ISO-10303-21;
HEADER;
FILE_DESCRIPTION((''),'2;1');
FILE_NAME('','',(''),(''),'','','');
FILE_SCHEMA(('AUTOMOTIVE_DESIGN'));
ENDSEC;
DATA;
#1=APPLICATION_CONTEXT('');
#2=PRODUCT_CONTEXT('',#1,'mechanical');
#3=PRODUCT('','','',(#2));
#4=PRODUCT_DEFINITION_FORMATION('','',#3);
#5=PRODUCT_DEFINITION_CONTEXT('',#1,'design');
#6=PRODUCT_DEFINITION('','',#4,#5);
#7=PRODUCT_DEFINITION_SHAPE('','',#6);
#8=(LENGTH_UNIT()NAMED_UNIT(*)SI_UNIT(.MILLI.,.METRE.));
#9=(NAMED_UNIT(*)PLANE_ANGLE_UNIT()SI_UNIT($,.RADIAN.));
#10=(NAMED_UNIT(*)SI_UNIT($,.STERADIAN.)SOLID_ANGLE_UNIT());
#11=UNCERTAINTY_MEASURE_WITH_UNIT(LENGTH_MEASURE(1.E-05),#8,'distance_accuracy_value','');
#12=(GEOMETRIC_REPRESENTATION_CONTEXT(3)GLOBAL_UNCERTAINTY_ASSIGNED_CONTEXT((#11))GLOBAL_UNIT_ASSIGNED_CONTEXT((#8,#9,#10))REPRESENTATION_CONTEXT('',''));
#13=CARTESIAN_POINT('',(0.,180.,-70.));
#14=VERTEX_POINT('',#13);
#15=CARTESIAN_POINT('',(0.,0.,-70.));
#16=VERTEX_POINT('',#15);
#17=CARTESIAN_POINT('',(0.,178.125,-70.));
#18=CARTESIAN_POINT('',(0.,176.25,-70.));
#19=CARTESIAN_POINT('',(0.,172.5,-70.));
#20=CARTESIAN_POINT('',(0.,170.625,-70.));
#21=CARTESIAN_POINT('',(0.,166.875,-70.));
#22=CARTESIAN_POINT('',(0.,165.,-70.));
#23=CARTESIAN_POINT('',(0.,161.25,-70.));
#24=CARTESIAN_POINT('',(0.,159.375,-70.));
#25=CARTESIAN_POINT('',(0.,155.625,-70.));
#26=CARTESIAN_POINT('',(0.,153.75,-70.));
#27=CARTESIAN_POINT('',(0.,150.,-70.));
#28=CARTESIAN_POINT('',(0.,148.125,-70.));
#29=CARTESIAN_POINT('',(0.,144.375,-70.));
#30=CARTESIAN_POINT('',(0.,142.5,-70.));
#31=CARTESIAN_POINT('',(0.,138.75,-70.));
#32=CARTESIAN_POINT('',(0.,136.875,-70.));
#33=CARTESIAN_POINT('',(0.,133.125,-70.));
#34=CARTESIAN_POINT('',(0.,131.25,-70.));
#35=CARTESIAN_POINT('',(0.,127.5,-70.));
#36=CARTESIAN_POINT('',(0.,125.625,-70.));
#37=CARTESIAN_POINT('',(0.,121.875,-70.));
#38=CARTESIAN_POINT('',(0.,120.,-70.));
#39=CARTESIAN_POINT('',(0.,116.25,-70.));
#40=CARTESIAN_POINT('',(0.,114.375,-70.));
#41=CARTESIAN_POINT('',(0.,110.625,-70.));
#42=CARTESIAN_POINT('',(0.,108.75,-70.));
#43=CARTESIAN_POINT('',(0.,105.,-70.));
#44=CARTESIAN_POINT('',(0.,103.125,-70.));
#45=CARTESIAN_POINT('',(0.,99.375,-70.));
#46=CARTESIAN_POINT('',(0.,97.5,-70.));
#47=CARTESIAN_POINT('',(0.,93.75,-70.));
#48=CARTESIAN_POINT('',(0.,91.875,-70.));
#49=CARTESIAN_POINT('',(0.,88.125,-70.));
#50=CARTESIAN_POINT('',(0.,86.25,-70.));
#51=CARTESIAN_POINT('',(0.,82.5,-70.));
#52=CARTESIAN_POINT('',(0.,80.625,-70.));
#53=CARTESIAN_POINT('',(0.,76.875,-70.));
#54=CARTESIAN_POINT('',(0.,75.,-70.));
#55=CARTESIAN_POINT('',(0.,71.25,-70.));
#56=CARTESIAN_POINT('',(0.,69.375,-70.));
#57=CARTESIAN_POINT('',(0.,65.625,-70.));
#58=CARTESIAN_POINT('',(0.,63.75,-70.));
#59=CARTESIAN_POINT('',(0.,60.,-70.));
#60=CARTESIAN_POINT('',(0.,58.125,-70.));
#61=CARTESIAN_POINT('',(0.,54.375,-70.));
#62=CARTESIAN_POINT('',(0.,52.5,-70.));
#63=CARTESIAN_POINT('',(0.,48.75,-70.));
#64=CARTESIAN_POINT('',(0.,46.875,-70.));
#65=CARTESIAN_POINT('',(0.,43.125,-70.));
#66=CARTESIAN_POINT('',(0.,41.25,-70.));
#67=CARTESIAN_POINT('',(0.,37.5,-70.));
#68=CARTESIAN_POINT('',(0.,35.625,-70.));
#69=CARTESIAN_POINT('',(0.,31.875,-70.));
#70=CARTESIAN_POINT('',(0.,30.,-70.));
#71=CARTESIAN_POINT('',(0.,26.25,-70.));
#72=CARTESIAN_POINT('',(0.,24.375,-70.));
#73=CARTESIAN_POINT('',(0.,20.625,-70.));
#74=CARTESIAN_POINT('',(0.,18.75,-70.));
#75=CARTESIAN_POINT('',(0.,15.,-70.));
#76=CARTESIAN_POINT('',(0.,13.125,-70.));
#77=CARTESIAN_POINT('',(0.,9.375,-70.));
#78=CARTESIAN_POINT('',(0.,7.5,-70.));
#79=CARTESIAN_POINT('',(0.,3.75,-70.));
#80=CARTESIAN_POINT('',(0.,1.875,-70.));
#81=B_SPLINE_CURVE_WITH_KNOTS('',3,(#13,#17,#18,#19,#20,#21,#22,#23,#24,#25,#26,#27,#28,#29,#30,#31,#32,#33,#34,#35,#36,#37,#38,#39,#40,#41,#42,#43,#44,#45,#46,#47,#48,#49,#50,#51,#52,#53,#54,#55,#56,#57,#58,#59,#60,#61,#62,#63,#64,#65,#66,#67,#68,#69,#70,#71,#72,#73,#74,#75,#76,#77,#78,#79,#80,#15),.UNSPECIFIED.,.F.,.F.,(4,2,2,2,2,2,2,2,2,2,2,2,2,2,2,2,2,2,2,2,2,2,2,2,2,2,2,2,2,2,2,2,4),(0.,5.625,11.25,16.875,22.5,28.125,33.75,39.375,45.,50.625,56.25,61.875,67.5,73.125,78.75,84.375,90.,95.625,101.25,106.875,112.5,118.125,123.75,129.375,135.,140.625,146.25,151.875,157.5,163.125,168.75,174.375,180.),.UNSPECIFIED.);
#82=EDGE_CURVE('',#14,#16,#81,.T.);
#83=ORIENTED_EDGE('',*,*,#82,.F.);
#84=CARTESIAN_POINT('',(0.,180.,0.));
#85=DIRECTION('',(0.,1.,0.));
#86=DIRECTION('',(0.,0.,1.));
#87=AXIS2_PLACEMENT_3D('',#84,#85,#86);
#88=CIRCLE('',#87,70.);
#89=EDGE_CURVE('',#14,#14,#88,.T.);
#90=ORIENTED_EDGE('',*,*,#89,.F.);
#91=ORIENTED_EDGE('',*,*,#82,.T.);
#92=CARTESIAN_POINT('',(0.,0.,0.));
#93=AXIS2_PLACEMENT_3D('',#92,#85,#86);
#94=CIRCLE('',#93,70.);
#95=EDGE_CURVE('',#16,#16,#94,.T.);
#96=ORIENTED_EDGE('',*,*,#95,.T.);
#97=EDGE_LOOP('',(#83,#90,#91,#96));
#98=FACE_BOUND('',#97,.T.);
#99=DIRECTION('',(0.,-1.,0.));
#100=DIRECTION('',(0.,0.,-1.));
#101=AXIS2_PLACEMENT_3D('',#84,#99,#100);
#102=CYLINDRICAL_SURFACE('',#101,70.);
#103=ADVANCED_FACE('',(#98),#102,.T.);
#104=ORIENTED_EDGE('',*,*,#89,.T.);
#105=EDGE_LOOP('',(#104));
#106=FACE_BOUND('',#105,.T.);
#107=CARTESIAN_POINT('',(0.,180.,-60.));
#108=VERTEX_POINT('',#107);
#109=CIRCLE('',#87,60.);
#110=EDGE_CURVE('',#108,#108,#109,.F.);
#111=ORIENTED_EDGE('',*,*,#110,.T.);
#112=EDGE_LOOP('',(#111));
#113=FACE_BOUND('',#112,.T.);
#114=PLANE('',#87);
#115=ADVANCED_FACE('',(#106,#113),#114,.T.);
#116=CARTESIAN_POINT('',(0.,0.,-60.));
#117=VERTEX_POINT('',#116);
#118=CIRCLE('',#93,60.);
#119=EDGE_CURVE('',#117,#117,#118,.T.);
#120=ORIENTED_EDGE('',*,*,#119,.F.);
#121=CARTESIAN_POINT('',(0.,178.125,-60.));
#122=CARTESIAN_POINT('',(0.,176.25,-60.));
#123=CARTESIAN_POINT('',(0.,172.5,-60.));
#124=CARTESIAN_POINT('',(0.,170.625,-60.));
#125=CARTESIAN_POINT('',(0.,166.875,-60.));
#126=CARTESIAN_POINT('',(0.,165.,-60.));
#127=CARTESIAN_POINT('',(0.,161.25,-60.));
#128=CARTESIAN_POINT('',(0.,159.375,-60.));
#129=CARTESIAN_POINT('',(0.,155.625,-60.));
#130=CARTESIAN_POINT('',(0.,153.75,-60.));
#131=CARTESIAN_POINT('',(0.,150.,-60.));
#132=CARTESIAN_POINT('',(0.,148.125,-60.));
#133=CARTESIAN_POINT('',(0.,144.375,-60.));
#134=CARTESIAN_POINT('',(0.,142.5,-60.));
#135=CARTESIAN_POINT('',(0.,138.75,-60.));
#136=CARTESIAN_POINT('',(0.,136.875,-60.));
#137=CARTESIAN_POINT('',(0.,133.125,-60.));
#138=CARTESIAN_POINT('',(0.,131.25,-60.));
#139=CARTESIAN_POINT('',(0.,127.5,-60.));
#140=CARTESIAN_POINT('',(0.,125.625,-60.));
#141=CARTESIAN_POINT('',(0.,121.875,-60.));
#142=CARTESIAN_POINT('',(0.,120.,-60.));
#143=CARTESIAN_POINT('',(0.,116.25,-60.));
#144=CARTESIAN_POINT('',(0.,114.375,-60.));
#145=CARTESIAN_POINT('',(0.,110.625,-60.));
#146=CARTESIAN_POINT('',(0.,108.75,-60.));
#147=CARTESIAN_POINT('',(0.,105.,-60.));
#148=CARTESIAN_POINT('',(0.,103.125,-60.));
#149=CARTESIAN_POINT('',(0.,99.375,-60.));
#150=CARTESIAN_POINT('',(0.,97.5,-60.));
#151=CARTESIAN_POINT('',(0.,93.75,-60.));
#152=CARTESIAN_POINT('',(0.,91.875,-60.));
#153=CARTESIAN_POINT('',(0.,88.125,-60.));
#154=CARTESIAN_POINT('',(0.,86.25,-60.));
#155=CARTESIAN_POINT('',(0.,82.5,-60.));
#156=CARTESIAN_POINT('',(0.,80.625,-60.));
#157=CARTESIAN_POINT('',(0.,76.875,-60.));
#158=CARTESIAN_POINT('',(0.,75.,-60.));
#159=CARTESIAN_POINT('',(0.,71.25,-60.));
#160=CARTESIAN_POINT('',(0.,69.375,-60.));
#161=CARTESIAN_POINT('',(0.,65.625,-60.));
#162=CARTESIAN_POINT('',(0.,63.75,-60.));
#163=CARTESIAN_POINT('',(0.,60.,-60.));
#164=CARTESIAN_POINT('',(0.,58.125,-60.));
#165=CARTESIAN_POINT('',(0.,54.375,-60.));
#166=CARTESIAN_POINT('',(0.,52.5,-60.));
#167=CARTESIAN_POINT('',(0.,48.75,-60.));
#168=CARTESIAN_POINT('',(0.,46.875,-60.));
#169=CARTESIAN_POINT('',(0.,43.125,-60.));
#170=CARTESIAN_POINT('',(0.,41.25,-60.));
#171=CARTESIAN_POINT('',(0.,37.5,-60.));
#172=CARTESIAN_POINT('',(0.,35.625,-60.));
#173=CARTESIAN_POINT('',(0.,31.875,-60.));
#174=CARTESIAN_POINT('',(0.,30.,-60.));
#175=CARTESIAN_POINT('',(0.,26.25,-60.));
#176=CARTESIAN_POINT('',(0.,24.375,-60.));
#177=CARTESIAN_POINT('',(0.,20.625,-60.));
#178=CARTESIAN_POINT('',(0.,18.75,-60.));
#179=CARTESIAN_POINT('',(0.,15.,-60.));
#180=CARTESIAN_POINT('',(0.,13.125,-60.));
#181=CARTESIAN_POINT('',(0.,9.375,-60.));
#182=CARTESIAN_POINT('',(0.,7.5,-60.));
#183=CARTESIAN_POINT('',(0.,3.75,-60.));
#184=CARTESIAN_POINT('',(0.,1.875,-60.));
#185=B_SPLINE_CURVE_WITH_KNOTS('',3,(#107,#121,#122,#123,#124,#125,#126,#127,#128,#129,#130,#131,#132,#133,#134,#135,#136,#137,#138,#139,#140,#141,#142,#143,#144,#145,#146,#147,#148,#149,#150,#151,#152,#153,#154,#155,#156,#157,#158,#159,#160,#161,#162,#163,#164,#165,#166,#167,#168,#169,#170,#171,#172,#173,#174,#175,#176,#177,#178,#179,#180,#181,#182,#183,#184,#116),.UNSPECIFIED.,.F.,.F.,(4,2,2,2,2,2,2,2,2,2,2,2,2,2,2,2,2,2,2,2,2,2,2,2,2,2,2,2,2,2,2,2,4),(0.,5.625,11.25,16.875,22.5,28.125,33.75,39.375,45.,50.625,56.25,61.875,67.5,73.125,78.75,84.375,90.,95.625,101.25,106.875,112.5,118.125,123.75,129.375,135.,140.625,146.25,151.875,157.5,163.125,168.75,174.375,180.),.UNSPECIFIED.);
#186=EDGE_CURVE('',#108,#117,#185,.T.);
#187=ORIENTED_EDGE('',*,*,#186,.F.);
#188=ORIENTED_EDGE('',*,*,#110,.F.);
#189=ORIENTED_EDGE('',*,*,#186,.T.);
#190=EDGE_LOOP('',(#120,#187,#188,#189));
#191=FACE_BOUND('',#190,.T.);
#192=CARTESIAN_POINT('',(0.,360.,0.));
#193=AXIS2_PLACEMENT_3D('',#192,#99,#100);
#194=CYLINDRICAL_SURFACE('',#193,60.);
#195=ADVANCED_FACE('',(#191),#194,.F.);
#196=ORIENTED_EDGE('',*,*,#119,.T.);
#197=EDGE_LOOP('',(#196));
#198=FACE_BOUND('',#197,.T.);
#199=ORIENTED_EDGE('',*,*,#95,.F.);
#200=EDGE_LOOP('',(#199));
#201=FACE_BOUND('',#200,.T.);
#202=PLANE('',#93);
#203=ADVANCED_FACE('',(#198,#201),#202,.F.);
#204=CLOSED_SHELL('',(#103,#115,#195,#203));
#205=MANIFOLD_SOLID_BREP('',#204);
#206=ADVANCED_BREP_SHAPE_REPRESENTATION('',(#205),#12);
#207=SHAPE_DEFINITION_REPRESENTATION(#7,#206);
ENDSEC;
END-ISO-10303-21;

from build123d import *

# Parameters (mm, degrees)
SKETCH_1_R          = 70
EXTRUDE_1_DEPTH     = 180
SKETCH_2_R          = 60
CUT_EXTRUDE_1_DEPTH = 360


with BuildPart() as part:
    # 草图1 → 凸台-拉伸1 (new body)
    with BuildSketch(Plane(origin=(0, 0, 0), x_dir=(1, 0, 0), z_dir=(0, 1, 0))):
        with Locations(Location((0, 0, 0), (0, 0, 90))):
            Circle(SKETCH_1_R)
    extrude(amount=EXTRUDE_1_DEPTH)

    # 草图2 → 切除-拉伸1 (cut)
    with BuildSketch(Plane(origin=(0, 0, 0), x_dir=(1, 0, 0), z_dir=(0, 1, 0))):
        with Locations(Location((0, 0, 0), (0, 0, 90))):
            Circle(SKETCH_2_R)
    extrude(amount=CUT_EXTRUDE_1_DEPTH, mode=Mode.SUBTRACT)


solid = part.part
